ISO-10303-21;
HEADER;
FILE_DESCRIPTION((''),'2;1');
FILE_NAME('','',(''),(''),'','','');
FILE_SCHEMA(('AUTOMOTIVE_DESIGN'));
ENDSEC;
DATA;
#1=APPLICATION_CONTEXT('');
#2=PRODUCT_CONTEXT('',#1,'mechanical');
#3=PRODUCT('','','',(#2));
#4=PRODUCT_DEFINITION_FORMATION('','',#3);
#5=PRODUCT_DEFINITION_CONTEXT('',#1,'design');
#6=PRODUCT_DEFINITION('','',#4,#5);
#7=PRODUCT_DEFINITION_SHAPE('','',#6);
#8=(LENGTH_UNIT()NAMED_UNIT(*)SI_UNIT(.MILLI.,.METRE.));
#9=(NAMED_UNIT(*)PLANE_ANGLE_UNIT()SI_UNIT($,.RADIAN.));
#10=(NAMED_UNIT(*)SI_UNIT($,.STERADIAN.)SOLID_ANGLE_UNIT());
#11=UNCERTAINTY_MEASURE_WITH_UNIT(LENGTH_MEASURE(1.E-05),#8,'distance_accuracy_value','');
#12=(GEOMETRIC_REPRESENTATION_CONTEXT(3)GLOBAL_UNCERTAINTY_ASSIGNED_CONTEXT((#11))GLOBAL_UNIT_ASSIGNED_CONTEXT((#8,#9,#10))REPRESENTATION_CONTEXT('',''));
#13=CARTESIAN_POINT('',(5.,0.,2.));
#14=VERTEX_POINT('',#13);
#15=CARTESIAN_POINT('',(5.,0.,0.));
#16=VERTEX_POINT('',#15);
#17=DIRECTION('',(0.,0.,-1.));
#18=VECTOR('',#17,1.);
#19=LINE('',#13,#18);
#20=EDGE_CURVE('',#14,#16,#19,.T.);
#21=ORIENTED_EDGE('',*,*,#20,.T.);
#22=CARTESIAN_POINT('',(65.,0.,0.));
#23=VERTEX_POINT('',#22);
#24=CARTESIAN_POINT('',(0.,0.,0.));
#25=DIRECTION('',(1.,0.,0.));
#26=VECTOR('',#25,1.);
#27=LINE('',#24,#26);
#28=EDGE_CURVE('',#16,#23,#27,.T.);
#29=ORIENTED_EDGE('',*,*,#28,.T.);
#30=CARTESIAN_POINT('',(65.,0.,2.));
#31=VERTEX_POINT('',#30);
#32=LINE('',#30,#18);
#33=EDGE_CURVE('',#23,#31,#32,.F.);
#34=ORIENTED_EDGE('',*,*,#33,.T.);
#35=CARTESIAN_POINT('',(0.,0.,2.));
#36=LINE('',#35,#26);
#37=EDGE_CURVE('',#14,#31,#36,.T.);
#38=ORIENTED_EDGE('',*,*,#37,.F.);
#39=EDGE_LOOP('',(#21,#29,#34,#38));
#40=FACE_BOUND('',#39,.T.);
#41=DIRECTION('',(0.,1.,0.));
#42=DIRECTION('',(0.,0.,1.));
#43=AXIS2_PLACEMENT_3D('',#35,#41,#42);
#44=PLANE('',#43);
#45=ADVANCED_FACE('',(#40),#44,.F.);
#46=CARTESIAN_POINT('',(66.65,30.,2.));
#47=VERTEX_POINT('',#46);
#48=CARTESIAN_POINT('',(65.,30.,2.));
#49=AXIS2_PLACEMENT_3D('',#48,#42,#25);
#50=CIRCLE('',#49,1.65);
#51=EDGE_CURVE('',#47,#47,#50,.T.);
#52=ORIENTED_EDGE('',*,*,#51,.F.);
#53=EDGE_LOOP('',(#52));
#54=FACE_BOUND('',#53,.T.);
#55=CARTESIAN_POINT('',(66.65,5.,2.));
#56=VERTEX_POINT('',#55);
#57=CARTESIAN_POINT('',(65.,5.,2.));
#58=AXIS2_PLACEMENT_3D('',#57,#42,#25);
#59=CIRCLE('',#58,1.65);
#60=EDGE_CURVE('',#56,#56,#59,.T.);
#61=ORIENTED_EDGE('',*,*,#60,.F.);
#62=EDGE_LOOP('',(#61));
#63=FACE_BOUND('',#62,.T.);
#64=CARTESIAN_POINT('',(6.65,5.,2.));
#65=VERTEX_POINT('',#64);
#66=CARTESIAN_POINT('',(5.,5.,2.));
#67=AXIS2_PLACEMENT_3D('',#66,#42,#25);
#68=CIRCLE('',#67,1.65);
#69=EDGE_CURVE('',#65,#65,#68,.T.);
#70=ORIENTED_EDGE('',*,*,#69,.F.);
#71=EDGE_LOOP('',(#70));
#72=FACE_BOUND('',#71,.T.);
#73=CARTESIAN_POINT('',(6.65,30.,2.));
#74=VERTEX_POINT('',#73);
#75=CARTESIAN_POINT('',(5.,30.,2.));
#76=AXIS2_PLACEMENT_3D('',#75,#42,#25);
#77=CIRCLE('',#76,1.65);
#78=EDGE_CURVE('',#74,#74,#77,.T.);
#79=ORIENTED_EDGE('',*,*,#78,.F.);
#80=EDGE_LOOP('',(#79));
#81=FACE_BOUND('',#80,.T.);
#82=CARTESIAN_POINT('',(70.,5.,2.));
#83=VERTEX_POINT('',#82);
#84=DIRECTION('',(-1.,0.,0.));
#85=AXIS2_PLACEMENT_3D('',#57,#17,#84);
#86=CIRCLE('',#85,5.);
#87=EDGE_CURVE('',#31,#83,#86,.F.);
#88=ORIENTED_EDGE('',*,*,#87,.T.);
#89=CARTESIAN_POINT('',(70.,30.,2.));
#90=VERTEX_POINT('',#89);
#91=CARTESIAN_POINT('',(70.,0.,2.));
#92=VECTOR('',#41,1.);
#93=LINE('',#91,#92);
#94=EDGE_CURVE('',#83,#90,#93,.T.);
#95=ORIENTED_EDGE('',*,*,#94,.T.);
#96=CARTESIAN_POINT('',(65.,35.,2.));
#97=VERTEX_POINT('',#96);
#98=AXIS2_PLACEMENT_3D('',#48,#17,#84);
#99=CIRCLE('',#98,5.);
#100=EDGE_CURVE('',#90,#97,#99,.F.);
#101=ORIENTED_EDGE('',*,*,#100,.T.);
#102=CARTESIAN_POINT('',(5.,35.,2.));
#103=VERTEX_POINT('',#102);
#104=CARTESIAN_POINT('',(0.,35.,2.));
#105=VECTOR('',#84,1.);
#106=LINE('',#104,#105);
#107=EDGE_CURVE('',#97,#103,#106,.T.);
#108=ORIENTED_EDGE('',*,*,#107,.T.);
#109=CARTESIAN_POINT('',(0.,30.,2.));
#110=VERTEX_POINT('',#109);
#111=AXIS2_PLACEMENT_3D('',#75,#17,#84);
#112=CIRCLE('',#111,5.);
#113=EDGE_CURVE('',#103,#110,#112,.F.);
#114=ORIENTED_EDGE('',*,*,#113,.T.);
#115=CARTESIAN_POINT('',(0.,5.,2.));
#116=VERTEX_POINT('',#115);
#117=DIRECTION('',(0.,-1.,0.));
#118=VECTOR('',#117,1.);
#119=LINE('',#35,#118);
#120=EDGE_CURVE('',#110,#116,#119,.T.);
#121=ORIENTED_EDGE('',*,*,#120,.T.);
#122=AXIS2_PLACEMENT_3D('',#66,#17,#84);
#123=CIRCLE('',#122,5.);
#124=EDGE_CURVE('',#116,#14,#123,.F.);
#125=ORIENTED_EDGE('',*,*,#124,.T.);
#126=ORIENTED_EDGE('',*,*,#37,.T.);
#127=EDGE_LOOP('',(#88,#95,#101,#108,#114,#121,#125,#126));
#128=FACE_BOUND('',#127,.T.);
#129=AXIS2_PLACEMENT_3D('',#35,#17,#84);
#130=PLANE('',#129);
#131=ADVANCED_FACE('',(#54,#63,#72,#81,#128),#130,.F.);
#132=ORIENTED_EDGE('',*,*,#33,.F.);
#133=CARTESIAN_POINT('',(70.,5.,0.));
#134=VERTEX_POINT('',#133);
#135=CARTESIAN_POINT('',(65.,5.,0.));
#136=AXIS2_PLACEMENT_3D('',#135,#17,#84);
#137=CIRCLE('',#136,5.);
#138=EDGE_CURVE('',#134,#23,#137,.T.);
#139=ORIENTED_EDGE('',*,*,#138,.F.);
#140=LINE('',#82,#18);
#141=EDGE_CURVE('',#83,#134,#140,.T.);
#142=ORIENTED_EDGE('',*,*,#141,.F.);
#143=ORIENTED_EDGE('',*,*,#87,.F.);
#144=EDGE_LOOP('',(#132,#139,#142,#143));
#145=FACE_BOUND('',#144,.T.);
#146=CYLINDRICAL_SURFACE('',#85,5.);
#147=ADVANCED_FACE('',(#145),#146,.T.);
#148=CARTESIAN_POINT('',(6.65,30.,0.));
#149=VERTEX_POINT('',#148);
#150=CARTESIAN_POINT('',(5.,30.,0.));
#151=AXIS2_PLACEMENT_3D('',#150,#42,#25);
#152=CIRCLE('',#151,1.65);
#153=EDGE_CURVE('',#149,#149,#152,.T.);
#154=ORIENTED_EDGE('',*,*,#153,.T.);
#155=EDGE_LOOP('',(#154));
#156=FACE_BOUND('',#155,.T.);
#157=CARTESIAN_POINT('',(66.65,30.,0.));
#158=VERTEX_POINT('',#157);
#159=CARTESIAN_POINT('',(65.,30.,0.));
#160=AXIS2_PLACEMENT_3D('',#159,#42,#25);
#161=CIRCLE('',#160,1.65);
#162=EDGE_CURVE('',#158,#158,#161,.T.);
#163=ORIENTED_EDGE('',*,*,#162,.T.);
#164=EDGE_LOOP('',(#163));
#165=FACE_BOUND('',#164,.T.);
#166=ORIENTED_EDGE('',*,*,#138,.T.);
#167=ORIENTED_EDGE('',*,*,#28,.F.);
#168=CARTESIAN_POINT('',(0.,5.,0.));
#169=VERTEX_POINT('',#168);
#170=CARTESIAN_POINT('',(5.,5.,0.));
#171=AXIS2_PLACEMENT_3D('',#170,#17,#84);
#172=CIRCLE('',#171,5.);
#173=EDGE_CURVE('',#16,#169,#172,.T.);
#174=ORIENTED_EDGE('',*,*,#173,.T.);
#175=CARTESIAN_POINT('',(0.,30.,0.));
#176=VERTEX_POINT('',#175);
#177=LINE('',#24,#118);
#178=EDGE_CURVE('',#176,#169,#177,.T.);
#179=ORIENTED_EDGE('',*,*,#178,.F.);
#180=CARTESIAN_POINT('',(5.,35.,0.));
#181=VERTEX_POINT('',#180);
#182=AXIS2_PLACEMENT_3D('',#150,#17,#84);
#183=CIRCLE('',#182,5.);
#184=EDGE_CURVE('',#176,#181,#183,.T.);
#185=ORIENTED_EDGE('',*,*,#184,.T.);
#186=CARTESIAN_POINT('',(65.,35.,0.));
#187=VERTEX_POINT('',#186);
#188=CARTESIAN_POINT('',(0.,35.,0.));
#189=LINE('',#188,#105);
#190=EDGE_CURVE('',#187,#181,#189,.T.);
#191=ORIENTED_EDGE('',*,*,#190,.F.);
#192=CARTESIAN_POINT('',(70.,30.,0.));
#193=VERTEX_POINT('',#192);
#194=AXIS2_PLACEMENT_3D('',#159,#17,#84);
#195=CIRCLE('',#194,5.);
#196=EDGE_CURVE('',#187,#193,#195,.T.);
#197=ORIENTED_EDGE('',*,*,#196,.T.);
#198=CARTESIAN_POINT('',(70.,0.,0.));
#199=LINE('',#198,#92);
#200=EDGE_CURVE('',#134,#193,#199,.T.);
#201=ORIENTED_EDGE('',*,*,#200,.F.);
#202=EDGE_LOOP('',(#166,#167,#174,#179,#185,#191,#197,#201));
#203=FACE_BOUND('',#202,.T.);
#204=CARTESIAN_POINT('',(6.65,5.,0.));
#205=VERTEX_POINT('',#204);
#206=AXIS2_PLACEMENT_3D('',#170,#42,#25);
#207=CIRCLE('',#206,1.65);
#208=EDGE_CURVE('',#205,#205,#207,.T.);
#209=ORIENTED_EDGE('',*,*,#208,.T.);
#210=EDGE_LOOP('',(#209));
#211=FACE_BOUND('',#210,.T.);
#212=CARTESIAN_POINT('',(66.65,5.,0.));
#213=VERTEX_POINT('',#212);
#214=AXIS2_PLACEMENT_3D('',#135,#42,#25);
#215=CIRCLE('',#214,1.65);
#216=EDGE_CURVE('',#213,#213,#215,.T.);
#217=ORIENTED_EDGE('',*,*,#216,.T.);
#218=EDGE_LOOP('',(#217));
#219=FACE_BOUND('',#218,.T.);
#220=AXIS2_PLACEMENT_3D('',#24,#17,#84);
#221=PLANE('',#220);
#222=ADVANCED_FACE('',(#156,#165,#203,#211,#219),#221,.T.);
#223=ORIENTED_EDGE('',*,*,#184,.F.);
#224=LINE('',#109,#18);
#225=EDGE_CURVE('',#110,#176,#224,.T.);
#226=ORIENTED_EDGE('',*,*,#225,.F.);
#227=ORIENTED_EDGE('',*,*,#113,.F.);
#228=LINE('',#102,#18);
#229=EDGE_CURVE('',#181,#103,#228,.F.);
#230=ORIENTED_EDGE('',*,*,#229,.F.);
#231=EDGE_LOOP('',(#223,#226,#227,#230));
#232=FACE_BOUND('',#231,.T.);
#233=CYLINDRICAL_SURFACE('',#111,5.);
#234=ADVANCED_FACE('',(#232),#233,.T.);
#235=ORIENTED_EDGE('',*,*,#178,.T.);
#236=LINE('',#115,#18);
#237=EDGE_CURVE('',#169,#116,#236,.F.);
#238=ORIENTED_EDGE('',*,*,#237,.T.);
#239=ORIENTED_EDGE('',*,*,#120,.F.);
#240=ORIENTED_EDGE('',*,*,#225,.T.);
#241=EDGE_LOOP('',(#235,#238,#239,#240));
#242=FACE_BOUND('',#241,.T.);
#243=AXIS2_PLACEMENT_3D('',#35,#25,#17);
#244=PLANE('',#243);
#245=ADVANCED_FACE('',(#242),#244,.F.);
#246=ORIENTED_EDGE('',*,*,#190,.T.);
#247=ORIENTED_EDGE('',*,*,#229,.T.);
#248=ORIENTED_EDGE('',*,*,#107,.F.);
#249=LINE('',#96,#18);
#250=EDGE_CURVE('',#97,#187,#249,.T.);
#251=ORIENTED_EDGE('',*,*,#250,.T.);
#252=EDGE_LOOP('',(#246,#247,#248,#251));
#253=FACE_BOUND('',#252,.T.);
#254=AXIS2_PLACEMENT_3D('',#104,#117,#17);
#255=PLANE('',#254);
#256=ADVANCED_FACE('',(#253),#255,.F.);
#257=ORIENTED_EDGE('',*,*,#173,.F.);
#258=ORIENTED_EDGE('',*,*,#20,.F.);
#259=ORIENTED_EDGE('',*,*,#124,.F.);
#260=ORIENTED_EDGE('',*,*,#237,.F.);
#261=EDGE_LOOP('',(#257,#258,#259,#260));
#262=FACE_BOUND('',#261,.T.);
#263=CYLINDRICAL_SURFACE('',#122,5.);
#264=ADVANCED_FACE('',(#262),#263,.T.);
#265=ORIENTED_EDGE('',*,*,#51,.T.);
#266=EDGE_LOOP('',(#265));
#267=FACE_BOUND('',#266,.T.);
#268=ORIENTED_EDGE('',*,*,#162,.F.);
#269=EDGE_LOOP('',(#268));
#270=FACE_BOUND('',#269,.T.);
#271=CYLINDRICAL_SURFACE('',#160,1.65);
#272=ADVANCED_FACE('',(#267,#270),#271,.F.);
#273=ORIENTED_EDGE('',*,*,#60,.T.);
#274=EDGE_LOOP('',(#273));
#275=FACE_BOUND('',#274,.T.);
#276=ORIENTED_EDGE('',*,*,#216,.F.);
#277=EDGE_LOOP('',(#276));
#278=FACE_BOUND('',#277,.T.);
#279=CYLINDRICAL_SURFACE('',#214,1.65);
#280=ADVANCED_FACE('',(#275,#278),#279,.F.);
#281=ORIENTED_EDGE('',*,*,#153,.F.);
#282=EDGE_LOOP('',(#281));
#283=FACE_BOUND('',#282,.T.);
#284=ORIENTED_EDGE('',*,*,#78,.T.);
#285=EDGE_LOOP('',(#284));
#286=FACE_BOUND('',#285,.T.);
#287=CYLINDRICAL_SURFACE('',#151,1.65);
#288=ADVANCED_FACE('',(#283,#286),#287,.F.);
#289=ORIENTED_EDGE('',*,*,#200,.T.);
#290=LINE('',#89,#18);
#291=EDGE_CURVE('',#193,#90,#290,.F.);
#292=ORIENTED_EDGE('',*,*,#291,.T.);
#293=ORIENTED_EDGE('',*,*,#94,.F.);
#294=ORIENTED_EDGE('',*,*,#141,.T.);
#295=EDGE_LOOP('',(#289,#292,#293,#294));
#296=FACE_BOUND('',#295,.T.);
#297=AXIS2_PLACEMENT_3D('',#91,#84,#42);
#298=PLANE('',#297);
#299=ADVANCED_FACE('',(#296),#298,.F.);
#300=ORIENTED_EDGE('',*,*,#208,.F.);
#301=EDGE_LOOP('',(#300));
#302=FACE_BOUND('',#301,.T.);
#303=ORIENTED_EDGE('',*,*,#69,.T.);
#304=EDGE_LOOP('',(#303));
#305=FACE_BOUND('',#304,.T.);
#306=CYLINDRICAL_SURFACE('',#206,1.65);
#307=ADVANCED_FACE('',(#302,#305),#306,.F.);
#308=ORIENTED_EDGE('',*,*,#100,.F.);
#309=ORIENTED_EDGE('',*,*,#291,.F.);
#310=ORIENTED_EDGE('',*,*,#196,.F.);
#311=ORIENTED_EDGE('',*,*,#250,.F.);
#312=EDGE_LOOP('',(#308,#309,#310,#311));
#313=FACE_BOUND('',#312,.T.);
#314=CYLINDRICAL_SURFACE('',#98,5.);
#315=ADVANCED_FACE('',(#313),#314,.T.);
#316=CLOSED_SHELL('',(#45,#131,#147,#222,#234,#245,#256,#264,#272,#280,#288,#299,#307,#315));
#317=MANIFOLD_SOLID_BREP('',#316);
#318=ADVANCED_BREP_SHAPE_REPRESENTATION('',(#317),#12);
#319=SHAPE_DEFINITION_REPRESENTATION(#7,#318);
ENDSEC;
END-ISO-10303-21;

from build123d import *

# Parameters (mm, degrees)
SKETCH_1_W          = 70
SKETCH_1_H          = 35
EXTRUDE_1_DEPTH     = 2
FILLET_1_R          = 5
SKETCH_2_R          = 1.65
CUT_EXTRUDE_1_DEPTH = 2


with BuildPart() as part:
    # 草图1 → 凸台-拉伸1 (new body)
    with BuildSketch(Plane.XY):
        with Locations((35, 17.5)):
            Rectangle(SKETCH_1_W, SKETCH_1_H)
    extrude(amount=EXTRUDE_1_DEPTH)

    # 圆角1
    fillet_1_edges = [part.edges().sort_by_distance(p)[0] for p in [
        (0, 35, 1),
        (70, 35, 1),
        (70, 0, 1),
        (0, 0, 1),
    ]]
    fillet(fillet_1_edges, radius=FILLET_1_R)

    # 草图2 → 切除-拉伸1 (cut)
    with BuildSketch(Plane.XY.offset(2)):
        with Locations((5, 30)):
            Circle(SKETCH_2_R)
        with Locations((5, 5)):
            Circle(SKETCH_2_R)
        with Locations((65, 5)):
            Circle(SKETCH_2_R)
        with Locations((65, 30)):
            Circle(SKETCH_2_R)
    extrude(amount=-CUT_EXTRUDE_1_DEPTH, mode=Mode.SUBTRACT)


solid = part.part
